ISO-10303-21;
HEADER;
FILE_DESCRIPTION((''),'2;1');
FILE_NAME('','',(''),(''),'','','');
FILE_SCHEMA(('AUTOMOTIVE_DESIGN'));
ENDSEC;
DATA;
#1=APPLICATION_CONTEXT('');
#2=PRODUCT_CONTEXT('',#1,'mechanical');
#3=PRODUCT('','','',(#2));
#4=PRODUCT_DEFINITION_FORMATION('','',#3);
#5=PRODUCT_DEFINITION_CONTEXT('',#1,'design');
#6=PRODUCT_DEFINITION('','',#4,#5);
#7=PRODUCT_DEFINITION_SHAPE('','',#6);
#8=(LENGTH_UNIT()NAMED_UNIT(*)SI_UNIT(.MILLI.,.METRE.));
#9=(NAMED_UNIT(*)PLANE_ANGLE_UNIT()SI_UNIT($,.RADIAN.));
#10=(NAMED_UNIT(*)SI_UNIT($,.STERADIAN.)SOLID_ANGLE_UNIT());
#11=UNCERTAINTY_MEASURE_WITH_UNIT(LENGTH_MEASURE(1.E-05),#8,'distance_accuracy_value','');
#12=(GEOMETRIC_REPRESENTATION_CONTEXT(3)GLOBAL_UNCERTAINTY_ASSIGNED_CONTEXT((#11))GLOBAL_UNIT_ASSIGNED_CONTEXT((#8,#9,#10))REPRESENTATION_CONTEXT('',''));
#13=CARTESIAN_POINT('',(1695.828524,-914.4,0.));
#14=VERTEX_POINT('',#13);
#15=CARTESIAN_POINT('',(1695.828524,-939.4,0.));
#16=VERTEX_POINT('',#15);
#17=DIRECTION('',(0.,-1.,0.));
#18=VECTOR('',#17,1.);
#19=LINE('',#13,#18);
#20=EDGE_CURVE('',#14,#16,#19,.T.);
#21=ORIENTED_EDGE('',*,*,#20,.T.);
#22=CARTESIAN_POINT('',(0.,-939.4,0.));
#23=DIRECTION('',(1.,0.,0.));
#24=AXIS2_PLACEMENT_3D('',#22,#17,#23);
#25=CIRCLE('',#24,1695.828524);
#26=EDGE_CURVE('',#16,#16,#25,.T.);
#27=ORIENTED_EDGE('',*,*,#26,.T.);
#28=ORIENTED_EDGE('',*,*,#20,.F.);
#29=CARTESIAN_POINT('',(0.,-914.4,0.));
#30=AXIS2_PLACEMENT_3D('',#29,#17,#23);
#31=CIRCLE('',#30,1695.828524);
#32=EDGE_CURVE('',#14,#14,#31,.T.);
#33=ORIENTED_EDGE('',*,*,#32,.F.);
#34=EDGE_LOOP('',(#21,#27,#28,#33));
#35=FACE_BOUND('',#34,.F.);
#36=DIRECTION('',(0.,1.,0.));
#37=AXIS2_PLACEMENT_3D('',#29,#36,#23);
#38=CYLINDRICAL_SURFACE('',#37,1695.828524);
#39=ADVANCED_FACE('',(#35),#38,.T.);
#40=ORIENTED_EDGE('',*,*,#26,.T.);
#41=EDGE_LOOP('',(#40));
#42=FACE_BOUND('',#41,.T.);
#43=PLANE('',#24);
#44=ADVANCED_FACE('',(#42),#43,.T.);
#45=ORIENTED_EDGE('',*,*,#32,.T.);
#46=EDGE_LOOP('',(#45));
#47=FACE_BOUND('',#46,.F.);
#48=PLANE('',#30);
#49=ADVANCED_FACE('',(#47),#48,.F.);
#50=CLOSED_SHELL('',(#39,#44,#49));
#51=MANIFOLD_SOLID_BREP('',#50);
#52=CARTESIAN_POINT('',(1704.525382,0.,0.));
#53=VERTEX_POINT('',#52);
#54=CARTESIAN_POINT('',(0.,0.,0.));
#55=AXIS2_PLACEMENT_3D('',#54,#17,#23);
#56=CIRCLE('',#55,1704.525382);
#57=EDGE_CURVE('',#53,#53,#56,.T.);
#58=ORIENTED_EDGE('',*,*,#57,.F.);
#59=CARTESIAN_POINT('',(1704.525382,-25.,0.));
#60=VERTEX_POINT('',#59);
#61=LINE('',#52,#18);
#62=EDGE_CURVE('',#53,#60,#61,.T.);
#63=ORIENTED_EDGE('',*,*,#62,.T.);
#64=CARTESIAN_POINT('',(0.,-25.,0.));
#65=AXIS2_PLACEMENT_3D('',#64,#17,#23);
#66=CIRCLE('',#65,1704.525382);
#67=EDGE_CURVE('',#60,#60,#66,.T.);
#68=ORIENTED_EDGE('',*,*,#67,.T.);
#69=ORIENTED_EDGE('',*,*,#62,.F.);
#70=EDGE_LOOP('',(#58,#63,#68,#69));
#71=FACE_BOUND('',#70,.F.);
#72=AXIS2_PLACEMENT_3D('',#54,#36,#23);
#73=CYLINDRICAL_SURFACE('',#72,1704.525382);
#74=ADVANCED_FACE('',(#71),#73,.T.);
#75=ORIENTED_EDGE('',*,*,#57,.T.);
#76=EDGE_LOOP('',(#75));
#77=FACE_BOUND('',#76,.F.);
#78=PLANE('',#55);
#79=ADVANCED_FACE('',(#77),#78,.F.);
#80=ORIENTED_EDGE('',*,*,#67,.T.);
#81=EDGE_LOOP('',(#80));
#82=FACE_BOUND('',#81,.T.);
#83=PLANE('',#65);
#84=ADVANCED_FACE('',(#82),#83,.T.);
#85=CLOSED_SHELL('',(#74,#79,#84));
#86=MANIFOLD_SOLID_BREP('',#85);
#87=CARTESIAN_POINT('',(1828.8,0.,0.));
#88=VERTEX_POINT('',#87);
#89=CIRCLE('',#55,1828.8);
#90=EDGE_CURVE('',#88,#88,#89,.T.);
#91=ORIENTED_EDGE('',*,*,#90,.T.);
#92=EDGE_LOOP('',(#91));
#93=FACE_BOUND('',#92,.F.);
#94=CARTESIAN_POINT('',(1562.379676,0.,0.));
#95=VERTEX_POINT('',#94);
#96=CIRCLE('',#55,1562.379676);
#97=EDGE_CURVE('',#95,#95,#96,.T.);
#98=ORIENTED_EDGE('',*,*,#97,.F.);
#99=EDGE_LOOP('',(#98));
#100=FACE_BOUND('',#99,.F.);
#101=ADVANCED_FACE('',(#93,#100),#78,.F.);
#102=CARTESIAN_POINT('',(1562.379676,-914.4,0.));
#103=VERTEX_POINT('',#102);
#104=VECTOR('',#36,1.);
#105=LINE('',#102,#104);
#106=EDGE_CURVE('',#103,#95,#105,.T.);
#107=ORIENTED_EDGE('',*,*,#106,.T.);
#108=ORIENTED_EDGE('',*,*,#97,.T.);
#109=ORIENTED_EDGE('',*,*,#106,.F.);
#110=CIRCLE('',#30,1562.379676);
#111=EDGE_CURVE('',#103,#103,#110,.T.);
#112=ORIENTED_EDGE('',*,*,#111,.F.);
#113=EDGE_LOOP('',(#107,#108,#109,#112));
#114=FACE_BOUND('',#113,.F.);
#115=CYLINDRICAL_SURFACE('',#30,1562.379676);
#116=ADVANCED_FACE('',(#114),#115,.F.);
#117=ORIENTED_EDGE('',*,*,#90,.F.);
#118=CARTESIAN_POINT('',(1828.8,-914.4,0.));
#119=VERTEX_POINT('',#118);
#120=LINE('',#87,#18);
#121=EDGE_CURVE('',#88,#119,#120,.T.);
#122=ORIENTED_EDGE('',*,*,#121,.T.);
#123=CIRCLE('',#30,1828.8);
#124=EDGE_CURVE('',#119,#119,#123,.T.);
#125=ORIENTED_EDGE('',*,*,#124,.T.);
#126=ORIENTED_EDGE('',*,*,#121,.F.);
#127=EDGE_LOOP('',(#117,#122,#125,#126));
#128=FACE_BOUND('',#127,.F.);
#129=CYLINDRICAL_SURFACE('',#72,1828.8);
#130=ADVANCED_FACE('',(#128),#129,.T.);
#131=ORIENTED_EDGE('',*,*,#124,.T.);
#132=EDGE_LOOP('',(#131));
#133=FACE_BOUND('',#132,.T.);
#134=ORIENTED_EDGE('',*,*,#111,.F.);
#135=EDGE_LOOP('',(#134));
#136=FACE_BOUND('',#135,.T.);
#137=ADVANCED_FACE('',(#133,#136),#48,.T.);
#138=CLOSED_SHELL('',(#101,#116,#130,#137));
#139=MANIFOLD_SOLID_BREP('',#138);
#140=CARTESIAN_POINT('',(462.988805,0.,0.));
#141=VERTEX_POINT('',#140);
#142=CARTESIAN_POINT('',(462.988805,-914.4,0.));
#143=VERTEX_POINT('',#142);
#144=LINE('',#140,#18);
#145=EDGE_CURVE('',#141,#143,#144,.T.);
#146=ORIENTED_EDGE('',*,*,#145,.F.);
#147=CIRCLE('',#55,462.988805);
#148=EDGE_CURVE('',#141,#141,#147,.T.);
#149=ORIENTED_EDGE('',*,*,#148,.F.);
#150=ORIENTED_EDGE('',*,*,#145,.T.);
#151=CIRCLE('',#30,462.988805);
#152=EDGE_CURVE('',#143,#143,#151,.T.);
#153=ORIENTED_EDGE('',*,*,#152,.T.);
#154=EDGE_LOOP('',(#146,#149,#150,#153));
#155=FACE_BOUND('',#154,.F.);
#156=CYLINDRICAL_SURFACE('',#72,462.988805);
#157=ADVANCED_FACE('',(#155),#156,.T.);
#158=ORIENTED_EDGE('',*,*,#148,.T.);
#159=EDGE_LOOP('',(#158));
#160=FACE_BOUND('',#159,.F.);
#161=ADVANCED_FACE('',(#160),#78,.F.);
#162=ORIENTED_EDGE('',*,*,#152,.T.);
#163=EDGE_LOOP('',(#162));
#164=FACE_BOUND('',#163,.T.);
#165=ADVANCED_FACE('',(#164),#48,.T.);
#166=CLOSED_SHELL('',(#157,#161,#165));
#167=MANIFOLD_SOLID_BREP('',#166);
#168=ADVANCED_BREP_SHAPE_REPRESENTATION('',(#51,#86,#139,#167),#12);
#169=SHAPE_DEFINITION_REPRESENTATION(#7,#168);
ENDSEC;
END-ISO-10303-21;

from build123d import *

# Parameters (mm, degrees)
F1_R      = 1828.8
F2_DEPTH  = 914.4
F3_R      = 1562.379676
F4_DEPTH  = 914.401
F5_R      = 462.988805
F6_DEPTH  = 914.4
F7_R      = 1695.828524
F8_DEPTH  = 25
F9_R      = 1704.525382
F10_DEPTH = 25


with BuildPart() as f2:
    # F1 (on face) → F2 (new body)
    with BuildSketch(Plane.XZ):
        Circle(F1_R)
    extrude(amount=F2_DEPTH)

    # F3 (on face) → F4 (cut, through all)
    with BuildSketch(Plane.XZ.offset(914.4)):
        Circle(F3_R)
    extrude(amount=-F4_DEPTH, mode=Mode.SUBTRACT)


with BuildPart() as f6:
    # F5 (on face) → F6 (new body)
    with BuildSketch(Plane.XZ):
        Circle(F5_R)
    extrude(amount=F6_DEPTH)


with BuildPart() as f8:
    # F7 (on face) → F8 (new body)
    with BuildSketch(Plane.XZ.offset(914.4)):
        Circle(F7_R)
    extrude(amount=F8_DEPTH)


with BuildPart() as f10:
    # F9 (on face) → F10 (new body)
    with BuildSketch(Plane.XZ):
        Circle(F9_R)
    extrude(amount=F10_DEPTH)


solid = Compound([f2.part, f6.part, f8.part, f10.part])
